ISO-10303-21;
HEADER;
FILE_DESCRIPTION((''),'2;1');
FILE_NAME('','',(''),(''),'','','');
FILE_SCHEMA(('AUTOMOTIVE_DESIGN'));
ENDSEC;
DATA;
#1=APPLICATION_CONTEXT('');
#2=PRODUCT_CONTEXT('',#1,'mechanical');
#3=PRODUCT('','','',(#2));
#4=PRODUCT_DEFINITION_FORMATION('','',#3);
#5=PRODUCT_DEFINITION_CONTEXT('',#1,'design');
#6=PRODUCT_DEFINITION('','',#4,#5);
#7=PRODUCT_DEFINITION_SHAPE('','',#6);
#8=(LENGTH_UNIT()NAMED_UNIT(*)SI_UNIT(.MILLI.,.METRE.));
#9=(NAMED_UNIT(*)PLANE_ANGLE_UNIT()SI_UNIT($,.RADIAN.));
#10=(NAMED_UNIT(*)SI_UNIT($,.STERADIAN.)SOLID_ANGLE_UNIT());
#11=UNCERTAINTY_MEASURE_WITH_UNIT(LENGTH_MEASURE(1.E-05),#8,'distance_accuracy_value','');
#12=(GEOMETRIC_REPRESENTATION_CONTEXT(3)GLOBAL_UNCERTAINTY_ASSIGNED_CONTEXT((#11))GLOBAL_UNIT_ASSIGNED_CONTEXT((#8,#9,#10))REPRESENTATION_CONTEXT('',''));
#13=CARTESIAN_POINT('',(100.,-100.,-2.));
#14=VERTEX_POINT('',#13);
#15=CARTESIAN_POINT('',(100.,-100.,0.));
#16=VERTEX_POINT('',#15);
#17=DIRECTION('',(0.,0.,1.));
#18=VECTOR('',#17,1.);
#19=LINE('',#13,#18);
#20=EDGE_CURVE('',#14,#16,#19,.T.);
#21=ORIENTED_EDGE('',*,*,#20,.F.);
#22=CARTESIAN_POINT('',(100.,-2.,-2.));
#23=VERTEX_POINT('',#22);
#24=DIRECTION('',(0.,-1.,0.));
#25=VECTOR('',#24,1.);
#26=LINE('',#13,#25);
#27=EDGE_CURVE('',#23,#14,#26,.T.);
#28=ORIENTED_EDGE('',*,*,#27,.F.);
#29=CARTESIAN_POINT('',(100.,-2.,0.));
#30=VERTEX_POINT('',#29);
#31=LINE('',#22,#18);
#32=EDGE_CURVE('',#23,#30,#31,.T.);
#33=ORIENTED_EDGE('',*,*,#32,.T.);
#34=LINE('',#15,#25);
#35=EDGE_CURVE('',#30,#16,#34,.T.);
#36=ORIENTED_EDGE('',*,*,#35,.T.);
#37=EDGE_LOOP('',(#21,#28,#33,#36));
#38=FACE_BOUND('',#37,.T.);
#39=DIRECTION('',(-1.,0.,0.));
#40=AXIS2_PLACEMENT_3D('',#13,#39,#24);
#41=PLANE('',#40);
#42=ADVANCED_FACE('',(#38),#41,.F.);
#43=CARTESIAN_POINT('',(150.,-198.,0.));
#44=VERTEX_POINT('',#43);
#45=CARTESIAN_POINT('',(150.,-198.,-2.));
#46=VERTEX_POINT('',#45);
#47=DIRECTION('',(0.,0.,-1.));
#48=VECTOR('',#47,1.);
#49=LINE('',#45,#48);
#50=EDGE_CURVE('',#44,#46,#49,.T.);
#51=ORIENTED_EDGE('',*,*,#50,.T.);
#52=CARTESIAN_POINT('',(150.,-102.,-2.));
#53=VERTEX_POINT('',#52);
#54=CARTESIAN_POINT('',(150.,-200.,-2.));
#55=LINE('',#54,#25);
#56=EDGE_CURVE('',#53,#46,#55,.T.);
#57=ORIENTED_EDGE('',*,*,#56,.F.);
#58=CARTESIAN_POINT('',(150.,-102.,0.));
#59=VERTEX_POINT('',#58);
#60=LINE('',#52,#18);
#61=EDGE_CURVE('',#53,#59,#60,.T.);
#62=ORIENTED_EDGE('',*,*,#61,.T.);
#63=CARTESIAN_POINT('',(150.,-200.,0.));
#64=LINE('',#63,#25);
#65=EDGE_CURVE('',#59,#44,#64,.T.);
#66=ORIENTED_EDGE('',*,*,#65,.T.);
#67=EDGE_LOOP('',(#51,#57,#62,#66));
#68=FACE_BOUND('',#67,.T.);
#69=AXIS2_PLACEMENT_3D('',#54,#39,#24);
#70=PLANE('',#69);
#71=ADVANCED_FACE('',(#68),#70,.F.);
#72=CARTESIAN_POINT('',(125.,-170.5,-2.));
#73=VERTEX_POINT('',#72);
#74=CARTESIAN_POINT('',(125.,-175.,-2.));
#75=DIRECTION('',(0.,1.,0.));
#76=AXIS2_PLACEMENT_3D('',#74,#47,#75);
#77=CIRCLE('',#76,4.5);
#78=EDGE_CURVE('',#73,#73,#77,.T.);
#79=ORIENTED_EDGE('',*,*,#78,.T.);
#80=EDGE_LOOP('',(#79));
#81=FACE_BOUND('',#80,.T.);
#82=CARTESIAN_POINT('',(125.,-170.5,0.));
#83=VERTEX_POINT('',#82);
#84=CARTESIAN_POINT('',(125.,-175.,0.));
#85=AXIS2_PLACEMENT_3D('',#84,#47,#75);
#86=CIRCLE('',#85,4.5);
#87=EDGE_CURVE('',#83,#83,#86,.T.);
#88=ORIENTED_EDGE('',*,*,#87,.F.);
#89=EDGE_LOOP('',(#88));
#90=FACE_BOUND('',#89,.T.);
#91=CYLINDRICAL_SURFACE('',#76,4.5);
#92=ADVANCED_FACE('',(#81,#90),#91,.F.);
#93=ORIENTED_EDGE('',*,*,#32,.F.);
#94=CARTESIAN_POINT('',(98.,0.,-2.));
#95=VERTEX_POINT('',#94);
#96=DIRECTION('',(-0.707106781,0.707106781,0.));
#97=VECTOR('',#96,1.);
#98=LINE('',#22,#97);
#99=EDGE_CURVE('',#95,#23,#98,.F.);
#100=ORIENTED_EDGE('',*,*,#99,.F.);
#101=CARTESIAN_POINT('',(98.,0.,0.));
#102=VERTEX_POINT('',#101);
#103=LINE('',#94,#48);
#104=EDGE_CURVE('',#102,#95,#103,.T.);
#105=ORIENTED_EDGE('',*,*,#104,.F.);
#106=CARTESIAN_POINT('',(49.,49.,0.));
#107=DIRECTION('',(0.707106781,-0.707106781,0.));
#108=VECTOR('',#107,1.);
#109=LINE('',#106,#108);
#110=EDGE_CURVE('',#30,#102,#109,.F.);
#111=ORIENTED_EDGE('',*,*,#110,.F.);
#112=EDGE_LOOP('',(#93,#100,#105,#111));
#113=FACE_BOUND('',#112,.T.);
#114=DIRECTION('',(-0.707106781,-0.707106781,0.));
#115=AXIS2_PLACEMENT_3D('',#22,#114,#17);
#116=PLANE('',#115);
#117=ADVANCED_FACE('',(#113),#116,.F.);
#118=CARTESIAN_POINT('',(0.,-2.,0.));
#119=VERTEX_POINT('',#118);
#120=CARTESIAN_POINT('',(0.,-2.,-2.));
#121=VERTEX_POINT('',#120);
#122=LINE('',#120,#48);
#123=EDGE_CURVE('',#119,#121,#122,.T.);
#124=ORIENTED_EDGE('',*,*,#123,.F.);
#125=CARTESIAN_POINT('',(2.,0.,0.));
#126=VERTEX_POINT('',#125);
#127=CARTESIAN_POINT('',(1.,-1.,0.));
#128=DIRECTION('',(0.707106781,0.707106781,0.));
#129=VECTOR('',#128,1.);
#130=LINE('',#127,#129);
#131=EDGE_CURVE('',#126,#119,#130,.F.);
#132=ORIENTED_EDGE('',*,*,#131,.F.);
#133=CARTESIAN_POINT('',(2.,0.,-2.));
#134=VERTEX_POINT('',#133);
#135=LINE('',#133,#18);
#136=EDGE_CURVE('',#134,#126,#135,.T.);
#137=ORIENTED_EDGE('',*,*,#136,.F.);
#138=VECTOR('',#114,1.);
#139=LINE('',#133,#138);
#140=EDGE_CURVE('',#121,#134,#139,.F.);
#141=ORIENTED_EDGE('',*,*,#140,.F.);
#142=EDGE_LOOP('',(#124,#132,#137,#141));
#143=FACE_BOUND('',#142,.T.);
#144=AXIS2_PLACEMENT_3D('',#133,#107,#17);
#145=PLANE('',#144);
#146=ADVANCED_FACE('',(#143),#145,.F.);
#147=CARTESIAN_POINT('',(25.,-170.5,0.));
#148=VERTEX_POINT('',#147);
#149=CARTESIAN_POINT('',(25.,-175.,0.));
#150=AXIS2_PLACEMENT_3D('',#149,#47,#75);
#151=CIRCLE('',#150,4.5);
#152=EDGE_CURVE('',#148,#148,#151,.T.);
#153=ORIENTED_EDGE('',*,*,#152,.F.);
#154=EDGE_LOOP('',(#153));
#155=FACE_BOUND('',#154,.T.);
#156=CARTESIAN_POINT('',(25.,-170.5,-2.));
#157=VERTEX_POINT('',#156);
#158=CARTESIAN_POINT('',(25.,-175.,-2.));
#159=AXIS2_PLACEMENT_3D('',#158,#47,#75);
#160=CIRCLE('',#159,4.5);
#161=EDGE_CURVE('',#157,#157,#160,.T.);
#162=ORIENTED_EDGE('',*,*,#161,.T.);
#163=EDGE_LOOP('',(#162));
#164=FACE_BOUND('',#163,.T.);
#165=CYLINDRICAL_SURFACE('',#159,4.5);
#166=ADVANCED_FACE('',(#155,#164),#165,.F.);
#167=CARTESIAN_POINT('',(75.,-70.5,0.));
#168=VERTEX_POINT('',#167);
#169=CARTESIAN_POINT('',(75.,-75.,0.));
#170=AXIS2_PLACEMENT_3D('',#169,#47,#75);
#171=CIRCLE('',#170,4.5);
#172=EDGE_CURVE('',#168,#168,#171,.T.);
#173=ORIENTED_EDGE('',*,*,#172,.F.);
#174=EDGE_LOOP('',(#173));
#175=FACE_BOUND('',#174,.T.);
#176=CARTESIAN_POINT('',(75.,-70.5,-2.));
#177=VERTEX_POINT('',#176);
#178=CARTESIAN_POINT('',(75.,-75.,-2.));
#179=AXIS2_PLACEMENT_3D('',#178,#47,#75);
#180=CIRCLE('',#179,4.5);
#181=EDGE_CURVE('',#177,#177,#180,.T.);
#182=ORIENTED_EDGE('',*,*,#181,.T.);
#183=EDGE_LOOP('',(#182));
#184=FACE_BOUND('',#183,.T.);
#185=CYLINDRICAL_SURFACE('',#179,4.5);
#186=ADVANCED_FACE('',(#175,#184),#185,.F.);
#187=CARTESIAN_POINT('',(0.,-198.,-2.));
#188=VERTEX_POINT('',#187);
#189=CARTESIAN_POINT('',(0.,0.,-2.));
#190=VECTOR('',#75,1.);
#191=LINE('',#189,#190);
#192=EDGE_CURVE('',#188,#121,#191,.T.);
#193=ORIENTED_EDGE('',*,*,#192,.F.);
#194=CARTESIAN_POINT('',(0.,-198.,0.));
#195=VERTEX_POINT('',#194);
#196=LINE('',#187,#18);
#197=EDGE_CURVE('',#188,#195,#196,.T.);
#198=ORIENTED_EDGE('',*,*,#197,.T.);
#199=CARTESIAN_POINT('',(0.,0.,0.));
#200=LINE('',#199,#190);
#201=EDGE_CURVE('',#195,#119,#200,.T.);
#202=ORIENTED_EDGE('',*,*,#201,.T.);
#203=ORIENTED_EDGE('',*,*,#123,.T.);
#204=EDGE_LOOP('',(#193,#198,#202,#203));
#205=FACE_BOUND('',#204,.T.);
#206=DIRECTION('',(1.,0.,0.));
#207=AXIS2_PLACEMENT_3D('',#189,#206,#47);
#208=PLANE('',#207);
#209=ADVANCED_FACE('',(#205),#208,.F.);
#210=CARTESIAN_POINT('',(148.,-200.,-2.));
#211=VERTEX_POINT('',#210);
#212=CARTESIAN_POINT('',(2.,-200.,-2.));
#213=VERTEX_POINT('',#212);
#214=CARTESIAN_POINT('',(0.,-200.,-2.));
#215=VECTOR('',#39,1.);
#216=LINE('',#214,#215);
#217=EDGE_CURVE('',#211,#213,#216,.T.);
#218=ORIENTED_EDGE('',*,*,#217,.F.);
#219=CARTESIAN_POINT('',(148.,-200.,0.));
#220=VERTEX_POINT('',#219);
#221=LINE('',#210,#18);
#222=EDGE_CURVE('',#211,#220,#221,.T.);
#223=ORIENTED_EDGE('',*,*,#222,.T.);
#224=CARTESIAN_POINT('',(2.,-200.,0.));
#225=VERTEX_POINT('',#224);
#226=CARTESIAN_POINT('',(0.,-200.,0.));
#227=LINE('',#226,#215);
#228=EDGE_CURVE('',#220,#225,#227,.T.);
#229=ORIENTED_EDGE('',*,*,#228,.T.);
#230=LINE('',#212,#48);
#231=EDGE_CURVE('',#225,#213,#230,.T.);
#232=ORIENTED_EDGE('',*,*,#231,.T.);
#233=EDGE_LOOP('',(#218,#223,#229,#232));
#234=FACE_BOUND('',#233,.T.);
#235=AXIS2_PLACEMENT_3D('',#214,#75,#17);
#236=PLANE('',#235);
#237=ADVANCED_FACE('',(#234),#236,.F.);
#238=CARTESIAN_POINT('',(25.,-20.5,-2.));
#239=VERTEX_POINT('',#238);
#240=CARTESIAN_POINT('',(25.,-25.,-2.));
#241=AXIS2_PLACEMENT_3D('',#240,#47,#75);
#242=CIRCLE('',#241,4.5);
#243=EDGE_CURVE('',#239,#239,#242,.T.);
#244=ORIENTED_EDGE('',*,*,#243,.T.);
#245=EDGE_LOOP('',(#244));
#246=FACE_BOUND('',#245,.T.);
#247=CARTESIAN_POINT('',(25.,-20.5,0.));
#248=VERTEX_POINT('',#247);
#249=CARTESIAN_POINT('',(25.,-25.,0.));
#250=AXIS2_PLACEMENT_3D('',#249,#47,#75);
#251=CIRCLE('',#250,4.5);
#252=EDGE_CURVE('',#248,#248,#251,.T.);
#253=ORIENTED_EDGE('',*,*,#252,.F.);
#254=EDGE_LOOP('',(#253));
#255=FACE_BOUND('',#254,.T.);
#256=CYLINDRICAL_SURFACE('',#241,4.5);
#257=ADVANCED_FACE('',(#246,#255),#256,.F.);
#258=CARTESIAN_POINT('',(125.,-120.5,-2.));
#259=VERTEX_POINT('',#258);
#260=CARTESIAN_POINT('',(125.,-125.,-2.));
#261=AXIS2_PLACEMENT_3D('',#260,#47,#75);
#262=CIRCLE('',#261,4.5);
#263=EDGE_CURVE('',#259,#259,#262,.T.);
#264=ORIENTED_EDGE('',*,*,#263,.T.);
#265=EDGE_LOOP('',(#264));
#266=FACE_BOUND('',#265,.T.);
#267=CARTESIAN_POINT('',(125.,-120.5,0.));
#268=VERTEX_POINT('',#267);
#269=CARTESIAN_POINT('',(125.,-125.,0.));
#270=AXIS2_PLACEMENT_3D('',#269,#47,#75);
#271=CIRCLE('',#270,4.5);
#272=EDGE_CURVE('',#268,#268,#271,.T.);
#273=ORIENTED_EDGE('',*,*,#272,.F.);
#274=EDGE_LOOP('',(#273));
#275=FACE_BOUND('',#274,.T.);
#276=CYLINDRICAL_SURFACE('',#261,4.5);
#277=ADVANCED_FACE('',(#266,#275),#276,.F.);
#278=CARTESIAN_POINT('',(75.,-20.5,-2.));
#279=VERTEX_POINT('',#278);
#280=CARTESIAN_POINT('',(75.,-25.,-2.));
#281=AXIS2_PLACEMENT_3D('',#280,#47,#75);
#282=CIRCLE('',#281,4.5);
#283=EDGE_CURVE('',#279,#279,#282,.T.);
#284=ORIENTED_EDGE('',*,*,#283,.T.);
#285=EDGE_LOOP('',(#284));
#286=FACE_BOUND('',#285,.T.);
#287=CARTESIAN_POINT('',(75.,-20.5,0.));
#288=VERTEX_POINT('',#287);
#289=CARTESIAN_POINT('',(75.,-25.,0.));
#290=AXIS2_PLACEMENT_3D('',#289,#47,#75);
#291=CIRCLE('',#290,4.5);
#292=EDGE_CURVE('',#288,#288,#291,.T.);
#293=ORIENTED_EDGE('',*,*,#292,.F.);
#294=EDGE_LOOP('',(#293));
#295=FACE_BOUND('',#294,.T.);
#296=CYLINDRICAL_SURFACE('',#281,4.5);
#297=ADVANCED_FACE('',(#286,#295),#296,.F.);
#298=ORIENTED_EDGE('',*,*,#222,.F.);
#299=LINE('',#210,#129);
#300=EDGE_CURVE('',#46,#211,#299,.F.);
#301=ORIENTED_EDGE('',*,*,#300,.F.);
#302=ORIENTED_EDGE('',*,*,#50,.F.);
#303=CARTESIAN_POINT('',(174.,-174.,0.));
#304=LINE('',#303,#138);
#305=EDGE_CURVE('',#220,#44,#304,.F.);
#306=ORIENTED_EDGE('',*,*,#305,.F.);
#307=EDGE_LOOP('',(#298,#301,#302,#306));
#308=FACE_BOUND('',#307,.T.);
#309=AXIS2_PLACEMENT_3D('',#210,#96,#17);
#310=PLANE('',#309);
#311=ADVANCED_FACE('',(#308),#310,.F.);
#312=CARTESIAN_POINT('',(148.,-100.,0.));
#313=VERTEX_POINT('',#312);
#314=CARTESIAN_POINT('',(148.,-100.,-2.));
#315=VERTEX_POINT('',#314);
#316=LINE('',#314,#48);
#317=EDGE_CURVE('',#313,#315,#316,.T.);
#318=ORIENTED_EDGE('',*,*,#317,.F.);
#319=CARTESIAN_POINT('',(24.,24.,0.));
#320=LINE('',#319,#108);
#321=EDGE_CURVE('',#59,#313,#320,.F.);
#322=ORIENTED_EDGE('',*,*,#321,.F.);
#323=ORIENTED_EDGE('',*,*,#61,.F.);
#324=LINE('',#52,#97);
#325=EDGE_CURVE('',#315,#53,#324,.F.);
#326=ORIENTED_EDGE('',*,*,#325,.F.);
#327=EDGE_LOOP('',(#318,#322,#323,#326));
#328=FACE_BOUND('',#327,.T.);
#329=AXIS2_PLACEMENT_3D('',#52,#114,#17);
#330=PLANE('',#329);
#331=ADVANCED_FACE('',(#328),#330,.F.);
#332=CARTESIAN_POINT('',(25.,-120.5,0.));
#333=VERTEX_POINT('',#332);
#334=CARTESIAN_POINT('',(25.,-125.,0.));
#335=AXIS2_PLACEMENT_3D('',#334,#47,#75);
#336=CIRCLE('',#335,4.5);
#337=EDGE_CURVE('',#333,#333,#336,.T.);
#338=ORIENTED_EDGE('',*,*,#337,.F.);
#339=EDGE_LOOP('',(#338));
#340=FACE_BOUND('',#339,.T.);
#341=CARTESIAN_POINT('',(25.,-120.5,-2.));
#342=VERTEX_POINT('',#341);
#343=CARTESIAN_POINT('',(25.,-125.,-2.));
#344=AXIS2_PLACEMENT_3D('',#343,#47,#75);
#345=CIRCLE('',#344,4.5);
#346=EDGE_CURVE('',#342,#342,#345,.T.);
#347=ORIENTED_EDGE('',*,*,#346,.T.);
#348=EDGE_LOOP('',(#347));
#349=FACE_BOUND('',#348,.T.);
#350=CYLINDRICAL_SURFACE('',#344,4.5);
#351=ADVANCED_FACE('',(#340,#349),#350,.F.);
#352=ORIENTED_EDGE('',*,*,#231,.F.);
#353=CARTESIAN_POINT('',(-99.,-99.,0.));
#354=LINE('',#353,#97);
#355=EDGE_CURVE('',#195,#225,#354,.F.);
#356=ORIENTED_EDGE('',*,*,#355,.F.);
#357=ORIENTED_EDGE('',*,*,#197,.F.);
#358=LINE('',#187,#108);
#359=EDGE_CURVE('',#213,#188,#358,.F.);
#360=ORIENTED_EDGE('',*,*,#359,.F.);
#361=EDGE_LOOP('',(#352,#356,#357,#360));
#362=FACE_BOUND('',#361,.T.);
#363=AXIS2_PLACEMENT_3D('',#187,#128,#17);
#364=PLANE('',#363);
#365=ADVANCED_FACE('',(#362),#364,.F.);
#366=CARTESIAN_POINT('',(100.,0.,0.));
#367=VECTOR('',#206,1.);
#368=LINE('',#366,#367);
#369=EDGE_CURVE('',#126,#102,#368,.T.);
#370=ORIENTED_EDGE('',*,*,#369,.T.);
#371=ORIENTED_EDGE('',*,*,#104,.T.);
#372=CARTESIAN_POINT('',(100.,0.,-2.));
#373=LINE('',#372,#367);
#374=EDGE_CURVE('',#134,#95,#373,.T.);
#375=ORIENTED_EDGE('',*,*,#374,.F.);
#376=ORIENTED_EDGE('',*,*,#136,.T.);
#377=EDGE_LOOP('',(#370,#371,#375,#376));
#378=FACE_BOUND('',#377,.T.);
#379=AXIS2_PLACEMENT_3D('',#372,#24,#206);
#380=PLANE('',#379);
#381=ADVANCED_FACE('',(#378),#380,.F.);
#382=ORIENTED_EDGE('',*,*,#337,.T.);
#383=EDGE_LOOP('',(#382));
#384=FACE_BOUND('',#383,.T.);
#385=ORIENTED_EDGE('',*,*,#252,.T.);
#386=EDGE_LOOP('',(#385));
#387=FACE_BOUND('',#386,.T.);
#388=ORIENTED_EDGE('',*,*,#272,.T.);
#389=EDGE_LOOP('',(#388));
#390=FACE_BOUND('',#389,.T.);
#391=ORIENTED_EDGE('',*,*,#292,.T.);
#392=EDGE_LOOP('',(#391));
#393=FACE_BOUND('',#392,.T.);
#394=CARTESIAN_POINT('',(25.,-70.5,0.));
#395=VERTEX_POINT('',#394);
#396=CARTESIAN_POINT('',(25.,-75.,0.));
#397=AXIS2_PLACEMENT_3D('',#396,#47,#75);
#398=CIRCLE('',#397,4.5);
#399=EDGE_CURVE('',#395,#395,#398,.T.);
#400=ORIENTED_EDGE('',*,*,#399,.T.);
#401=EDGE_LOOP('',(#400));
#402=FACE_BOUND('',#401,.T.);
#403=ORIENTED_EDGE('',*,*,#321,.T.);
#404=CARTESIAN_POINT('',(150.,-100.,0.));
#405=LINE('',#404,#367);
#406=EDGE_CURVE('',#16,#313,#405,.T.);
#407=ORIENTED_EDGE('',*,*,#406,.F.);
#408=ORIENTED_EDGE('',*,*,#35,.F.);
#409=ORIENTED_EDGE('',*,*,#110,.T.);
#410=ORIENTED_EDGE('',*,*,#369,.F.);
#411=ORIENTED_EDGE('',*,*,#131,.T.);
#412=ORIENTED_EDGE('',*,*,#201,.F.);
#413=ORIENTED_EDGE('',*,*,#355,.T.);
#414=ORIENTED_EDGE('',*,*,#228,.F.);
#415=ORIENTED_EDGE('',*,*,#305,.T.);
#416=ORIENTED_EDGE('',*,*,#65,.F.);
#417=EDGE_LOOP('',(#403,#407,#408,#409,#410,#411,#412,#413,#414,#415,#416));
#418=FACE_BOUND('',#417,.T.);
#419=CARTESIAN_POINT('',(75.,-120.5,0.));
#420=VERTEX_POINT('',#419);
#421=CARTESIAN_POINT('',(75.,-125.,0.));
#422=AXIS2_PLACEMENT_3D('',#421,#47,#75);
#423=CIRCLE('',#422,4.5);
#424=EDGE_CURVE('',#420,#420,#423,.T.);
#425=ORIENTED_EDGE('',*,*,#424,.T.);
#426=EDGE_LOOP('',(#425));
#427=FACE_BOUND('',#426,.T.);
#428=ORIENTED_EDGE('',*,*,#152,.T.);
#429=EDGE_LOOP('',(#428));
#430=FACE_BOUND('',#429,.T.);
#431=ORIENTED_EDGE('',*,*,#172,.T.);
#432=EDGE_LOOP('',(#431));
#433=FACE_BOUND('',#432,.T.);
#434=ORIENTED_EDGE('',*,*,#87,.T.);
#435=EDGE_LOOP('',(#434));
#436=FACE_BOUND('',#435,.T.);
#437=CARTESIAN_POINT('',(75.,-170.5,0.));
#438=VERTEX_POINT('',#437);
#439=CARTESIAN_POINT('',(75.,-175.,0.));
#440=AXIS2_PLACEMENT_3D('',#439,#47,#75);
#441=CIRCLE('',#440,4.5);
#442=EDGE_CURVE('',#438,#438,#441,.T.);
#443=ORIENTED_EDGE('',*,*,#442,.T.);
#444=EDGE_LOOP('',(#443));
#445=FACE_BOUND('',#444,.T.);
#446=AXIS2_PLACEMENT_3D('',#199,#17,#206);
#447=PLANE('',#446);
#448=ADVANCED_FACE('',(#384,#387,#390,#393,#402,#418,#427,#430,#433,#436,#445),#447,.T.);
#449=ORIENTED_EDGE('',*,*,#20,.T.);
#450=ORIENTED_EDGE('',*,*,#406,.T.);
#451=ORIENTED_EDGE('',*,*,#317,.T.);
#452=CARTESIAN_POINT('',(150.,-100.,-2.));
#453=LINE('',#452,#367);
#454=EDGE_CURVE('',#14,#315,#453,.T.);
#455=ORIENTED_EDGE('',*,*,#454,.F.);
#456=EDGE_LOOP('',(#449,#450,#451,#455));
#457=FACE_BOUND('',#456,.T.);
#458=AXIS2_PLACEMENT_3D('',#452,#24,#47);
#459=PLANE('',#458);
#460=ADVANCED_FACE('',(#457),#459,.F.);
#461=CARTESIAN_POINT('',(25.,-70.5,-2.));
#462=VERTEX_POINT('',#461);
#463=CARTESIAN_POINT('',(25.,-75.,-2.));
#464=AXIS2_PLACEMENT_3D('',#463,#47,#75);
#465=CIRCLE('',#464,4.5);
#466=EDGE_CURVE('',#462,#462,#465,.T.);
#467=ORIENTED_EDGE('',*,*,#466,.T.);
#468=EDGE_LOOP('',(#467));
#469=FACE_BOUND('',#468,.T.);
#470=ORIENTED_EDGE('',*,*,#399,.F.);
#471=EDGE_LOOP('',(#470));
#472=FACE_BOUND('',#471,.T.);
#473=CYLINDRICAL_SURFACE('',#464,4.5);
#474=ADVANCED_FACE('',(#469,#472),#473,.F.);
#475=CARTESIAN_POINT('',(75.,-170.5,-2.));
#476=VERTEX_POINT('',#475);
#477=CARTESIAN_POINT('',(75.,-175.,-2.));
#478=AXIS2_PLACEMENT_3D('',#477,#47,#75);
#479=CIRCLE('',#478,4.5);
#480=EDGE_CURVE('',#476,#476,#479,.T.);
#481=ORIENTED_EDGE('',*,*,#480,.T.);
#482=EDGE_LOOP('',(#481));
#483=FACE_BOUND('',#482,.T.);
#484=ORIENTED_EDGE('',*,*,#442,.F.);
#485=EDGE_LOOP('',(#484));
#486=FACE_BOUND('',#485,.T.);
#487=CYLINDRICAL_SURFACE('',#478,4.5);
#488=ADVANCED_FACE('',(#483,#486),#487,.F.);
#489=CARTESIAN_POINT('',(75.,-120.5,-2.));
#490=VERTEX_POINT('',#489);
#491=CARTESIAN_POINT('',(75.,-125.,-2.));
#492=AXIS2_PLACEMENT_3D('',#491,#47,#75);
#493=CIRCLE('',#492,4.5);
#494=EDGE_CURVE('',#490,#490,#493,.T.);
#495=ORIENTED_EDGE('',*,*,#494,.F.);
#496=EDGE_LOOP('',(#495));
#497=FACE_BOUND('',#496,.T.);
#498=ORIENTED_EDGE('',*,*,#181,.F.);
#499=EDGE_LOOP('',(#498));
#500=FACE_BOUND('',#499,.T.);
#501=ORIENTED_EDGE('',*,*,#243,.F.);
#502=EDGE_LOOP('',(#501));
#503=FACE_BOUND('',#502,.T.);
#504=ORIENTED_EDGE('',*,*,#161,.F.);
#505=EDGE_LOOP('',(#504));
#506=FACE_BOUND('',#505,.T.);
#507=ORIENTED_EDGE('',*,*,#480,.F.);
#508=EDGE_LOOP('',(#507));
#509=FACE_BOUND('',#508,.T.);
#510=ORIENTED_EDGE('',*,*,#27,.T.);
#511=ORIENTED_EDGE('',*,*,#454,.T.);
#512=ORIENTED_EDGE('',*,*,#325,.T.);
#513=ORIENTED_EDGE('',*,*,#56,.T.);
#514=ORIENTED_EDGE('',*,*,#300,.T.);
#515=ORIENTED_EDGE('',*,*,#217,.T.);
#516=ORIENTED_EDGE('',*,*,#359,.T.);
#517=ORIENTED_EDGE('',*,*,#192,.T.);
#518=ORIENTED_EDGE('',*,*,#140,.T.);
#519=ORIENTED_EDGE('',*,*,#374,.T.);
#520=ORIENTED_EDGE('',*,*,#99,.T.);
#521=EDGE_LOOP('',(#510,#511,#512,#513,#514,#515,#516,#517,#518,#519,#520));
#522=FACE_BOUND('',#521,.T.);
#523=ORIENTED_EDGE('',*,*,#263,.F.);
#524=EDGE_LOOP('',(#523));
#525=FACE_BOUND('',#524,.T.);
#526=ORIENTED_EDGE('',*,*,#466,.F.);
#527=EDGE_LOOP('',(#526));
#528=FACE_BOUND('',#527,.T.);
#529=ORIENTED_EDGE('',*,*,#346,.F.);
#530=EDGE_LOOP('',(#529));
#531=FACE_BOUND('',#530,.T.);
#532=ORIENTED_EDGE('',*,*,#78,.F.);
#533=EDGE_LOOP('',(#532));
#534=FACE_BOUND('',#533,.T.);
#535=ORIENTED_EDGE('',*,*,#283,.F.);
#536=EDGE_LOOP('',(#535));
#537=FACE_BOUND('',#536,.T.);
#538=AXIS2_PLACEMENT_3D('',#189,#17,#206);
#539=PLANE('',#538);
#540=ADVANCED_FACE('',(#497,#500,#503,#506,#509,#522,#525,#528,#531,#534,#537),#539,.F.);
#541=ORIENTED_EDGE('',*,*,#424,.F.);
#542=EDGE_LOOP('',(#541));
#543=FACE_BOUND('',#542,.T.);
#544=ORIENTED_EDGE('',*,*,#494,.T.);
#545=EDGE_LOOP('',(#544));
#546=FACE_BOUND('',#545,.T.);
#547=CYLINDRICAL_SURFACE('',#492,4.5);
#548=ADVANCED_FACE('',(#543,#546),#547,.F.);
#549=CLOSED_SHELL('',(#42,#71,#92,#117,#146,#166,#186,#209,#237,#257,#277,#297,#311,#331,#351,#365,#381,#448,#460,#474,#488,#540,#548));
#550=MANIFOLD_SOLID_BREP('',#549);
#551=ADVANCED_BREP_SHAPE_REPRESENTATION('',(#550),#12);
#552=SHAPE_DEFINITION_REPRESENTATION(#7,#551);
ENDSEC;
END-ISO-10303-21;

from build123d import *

# Parameters (mm, degrees)
EXTRUDE_1_DEPTH   = 2
HOLE_WIZARD_M81_D = 9
CHAMFER_1_SIZE    = 2


with BuildPart() as part:
    # Эскиз1 → Бобышка-Вытянуть1 (new body)
    with BuildSketch(Plane(origin=(0, 0, 0), x_dir=(1, 0, 0), z_dir=(0, 0, -1))):
        Polygon((0, 0), (0, 200), (150, 200), (150, 100), (100, 100), (100, 0), align=None)
    extrude(amount=EXTRUDE_1_DEPTH)

    # Отверстие с зазором M81 (through all)
    with Locations(Plane(origin=(0, 0, -2), x_dir=(1, 0, 0), z_dir=(0, 0, -1))):
        with Locations((25, 175), (25, 125), (25, 75), (25, 25), (75, 175), (75, 125), (75, 75), (75, 25), (125, 175), (125, 125)):
            Hole(HOLE_WIZARD_M81_D / 2)

    # Фаска1
    chamfer_1_edges = [part.edges().sort_by_distance(p)[0] for p in [
        (0, 0, -1),
        (0, -200, -1),
        (150, -200, -1),
        (150, -100, -1),
        (100, 0, -1),
    ]]
    chamfer(chamfer_1_edges, length=CHAMFER_1_SIZE)


solid = part.part
